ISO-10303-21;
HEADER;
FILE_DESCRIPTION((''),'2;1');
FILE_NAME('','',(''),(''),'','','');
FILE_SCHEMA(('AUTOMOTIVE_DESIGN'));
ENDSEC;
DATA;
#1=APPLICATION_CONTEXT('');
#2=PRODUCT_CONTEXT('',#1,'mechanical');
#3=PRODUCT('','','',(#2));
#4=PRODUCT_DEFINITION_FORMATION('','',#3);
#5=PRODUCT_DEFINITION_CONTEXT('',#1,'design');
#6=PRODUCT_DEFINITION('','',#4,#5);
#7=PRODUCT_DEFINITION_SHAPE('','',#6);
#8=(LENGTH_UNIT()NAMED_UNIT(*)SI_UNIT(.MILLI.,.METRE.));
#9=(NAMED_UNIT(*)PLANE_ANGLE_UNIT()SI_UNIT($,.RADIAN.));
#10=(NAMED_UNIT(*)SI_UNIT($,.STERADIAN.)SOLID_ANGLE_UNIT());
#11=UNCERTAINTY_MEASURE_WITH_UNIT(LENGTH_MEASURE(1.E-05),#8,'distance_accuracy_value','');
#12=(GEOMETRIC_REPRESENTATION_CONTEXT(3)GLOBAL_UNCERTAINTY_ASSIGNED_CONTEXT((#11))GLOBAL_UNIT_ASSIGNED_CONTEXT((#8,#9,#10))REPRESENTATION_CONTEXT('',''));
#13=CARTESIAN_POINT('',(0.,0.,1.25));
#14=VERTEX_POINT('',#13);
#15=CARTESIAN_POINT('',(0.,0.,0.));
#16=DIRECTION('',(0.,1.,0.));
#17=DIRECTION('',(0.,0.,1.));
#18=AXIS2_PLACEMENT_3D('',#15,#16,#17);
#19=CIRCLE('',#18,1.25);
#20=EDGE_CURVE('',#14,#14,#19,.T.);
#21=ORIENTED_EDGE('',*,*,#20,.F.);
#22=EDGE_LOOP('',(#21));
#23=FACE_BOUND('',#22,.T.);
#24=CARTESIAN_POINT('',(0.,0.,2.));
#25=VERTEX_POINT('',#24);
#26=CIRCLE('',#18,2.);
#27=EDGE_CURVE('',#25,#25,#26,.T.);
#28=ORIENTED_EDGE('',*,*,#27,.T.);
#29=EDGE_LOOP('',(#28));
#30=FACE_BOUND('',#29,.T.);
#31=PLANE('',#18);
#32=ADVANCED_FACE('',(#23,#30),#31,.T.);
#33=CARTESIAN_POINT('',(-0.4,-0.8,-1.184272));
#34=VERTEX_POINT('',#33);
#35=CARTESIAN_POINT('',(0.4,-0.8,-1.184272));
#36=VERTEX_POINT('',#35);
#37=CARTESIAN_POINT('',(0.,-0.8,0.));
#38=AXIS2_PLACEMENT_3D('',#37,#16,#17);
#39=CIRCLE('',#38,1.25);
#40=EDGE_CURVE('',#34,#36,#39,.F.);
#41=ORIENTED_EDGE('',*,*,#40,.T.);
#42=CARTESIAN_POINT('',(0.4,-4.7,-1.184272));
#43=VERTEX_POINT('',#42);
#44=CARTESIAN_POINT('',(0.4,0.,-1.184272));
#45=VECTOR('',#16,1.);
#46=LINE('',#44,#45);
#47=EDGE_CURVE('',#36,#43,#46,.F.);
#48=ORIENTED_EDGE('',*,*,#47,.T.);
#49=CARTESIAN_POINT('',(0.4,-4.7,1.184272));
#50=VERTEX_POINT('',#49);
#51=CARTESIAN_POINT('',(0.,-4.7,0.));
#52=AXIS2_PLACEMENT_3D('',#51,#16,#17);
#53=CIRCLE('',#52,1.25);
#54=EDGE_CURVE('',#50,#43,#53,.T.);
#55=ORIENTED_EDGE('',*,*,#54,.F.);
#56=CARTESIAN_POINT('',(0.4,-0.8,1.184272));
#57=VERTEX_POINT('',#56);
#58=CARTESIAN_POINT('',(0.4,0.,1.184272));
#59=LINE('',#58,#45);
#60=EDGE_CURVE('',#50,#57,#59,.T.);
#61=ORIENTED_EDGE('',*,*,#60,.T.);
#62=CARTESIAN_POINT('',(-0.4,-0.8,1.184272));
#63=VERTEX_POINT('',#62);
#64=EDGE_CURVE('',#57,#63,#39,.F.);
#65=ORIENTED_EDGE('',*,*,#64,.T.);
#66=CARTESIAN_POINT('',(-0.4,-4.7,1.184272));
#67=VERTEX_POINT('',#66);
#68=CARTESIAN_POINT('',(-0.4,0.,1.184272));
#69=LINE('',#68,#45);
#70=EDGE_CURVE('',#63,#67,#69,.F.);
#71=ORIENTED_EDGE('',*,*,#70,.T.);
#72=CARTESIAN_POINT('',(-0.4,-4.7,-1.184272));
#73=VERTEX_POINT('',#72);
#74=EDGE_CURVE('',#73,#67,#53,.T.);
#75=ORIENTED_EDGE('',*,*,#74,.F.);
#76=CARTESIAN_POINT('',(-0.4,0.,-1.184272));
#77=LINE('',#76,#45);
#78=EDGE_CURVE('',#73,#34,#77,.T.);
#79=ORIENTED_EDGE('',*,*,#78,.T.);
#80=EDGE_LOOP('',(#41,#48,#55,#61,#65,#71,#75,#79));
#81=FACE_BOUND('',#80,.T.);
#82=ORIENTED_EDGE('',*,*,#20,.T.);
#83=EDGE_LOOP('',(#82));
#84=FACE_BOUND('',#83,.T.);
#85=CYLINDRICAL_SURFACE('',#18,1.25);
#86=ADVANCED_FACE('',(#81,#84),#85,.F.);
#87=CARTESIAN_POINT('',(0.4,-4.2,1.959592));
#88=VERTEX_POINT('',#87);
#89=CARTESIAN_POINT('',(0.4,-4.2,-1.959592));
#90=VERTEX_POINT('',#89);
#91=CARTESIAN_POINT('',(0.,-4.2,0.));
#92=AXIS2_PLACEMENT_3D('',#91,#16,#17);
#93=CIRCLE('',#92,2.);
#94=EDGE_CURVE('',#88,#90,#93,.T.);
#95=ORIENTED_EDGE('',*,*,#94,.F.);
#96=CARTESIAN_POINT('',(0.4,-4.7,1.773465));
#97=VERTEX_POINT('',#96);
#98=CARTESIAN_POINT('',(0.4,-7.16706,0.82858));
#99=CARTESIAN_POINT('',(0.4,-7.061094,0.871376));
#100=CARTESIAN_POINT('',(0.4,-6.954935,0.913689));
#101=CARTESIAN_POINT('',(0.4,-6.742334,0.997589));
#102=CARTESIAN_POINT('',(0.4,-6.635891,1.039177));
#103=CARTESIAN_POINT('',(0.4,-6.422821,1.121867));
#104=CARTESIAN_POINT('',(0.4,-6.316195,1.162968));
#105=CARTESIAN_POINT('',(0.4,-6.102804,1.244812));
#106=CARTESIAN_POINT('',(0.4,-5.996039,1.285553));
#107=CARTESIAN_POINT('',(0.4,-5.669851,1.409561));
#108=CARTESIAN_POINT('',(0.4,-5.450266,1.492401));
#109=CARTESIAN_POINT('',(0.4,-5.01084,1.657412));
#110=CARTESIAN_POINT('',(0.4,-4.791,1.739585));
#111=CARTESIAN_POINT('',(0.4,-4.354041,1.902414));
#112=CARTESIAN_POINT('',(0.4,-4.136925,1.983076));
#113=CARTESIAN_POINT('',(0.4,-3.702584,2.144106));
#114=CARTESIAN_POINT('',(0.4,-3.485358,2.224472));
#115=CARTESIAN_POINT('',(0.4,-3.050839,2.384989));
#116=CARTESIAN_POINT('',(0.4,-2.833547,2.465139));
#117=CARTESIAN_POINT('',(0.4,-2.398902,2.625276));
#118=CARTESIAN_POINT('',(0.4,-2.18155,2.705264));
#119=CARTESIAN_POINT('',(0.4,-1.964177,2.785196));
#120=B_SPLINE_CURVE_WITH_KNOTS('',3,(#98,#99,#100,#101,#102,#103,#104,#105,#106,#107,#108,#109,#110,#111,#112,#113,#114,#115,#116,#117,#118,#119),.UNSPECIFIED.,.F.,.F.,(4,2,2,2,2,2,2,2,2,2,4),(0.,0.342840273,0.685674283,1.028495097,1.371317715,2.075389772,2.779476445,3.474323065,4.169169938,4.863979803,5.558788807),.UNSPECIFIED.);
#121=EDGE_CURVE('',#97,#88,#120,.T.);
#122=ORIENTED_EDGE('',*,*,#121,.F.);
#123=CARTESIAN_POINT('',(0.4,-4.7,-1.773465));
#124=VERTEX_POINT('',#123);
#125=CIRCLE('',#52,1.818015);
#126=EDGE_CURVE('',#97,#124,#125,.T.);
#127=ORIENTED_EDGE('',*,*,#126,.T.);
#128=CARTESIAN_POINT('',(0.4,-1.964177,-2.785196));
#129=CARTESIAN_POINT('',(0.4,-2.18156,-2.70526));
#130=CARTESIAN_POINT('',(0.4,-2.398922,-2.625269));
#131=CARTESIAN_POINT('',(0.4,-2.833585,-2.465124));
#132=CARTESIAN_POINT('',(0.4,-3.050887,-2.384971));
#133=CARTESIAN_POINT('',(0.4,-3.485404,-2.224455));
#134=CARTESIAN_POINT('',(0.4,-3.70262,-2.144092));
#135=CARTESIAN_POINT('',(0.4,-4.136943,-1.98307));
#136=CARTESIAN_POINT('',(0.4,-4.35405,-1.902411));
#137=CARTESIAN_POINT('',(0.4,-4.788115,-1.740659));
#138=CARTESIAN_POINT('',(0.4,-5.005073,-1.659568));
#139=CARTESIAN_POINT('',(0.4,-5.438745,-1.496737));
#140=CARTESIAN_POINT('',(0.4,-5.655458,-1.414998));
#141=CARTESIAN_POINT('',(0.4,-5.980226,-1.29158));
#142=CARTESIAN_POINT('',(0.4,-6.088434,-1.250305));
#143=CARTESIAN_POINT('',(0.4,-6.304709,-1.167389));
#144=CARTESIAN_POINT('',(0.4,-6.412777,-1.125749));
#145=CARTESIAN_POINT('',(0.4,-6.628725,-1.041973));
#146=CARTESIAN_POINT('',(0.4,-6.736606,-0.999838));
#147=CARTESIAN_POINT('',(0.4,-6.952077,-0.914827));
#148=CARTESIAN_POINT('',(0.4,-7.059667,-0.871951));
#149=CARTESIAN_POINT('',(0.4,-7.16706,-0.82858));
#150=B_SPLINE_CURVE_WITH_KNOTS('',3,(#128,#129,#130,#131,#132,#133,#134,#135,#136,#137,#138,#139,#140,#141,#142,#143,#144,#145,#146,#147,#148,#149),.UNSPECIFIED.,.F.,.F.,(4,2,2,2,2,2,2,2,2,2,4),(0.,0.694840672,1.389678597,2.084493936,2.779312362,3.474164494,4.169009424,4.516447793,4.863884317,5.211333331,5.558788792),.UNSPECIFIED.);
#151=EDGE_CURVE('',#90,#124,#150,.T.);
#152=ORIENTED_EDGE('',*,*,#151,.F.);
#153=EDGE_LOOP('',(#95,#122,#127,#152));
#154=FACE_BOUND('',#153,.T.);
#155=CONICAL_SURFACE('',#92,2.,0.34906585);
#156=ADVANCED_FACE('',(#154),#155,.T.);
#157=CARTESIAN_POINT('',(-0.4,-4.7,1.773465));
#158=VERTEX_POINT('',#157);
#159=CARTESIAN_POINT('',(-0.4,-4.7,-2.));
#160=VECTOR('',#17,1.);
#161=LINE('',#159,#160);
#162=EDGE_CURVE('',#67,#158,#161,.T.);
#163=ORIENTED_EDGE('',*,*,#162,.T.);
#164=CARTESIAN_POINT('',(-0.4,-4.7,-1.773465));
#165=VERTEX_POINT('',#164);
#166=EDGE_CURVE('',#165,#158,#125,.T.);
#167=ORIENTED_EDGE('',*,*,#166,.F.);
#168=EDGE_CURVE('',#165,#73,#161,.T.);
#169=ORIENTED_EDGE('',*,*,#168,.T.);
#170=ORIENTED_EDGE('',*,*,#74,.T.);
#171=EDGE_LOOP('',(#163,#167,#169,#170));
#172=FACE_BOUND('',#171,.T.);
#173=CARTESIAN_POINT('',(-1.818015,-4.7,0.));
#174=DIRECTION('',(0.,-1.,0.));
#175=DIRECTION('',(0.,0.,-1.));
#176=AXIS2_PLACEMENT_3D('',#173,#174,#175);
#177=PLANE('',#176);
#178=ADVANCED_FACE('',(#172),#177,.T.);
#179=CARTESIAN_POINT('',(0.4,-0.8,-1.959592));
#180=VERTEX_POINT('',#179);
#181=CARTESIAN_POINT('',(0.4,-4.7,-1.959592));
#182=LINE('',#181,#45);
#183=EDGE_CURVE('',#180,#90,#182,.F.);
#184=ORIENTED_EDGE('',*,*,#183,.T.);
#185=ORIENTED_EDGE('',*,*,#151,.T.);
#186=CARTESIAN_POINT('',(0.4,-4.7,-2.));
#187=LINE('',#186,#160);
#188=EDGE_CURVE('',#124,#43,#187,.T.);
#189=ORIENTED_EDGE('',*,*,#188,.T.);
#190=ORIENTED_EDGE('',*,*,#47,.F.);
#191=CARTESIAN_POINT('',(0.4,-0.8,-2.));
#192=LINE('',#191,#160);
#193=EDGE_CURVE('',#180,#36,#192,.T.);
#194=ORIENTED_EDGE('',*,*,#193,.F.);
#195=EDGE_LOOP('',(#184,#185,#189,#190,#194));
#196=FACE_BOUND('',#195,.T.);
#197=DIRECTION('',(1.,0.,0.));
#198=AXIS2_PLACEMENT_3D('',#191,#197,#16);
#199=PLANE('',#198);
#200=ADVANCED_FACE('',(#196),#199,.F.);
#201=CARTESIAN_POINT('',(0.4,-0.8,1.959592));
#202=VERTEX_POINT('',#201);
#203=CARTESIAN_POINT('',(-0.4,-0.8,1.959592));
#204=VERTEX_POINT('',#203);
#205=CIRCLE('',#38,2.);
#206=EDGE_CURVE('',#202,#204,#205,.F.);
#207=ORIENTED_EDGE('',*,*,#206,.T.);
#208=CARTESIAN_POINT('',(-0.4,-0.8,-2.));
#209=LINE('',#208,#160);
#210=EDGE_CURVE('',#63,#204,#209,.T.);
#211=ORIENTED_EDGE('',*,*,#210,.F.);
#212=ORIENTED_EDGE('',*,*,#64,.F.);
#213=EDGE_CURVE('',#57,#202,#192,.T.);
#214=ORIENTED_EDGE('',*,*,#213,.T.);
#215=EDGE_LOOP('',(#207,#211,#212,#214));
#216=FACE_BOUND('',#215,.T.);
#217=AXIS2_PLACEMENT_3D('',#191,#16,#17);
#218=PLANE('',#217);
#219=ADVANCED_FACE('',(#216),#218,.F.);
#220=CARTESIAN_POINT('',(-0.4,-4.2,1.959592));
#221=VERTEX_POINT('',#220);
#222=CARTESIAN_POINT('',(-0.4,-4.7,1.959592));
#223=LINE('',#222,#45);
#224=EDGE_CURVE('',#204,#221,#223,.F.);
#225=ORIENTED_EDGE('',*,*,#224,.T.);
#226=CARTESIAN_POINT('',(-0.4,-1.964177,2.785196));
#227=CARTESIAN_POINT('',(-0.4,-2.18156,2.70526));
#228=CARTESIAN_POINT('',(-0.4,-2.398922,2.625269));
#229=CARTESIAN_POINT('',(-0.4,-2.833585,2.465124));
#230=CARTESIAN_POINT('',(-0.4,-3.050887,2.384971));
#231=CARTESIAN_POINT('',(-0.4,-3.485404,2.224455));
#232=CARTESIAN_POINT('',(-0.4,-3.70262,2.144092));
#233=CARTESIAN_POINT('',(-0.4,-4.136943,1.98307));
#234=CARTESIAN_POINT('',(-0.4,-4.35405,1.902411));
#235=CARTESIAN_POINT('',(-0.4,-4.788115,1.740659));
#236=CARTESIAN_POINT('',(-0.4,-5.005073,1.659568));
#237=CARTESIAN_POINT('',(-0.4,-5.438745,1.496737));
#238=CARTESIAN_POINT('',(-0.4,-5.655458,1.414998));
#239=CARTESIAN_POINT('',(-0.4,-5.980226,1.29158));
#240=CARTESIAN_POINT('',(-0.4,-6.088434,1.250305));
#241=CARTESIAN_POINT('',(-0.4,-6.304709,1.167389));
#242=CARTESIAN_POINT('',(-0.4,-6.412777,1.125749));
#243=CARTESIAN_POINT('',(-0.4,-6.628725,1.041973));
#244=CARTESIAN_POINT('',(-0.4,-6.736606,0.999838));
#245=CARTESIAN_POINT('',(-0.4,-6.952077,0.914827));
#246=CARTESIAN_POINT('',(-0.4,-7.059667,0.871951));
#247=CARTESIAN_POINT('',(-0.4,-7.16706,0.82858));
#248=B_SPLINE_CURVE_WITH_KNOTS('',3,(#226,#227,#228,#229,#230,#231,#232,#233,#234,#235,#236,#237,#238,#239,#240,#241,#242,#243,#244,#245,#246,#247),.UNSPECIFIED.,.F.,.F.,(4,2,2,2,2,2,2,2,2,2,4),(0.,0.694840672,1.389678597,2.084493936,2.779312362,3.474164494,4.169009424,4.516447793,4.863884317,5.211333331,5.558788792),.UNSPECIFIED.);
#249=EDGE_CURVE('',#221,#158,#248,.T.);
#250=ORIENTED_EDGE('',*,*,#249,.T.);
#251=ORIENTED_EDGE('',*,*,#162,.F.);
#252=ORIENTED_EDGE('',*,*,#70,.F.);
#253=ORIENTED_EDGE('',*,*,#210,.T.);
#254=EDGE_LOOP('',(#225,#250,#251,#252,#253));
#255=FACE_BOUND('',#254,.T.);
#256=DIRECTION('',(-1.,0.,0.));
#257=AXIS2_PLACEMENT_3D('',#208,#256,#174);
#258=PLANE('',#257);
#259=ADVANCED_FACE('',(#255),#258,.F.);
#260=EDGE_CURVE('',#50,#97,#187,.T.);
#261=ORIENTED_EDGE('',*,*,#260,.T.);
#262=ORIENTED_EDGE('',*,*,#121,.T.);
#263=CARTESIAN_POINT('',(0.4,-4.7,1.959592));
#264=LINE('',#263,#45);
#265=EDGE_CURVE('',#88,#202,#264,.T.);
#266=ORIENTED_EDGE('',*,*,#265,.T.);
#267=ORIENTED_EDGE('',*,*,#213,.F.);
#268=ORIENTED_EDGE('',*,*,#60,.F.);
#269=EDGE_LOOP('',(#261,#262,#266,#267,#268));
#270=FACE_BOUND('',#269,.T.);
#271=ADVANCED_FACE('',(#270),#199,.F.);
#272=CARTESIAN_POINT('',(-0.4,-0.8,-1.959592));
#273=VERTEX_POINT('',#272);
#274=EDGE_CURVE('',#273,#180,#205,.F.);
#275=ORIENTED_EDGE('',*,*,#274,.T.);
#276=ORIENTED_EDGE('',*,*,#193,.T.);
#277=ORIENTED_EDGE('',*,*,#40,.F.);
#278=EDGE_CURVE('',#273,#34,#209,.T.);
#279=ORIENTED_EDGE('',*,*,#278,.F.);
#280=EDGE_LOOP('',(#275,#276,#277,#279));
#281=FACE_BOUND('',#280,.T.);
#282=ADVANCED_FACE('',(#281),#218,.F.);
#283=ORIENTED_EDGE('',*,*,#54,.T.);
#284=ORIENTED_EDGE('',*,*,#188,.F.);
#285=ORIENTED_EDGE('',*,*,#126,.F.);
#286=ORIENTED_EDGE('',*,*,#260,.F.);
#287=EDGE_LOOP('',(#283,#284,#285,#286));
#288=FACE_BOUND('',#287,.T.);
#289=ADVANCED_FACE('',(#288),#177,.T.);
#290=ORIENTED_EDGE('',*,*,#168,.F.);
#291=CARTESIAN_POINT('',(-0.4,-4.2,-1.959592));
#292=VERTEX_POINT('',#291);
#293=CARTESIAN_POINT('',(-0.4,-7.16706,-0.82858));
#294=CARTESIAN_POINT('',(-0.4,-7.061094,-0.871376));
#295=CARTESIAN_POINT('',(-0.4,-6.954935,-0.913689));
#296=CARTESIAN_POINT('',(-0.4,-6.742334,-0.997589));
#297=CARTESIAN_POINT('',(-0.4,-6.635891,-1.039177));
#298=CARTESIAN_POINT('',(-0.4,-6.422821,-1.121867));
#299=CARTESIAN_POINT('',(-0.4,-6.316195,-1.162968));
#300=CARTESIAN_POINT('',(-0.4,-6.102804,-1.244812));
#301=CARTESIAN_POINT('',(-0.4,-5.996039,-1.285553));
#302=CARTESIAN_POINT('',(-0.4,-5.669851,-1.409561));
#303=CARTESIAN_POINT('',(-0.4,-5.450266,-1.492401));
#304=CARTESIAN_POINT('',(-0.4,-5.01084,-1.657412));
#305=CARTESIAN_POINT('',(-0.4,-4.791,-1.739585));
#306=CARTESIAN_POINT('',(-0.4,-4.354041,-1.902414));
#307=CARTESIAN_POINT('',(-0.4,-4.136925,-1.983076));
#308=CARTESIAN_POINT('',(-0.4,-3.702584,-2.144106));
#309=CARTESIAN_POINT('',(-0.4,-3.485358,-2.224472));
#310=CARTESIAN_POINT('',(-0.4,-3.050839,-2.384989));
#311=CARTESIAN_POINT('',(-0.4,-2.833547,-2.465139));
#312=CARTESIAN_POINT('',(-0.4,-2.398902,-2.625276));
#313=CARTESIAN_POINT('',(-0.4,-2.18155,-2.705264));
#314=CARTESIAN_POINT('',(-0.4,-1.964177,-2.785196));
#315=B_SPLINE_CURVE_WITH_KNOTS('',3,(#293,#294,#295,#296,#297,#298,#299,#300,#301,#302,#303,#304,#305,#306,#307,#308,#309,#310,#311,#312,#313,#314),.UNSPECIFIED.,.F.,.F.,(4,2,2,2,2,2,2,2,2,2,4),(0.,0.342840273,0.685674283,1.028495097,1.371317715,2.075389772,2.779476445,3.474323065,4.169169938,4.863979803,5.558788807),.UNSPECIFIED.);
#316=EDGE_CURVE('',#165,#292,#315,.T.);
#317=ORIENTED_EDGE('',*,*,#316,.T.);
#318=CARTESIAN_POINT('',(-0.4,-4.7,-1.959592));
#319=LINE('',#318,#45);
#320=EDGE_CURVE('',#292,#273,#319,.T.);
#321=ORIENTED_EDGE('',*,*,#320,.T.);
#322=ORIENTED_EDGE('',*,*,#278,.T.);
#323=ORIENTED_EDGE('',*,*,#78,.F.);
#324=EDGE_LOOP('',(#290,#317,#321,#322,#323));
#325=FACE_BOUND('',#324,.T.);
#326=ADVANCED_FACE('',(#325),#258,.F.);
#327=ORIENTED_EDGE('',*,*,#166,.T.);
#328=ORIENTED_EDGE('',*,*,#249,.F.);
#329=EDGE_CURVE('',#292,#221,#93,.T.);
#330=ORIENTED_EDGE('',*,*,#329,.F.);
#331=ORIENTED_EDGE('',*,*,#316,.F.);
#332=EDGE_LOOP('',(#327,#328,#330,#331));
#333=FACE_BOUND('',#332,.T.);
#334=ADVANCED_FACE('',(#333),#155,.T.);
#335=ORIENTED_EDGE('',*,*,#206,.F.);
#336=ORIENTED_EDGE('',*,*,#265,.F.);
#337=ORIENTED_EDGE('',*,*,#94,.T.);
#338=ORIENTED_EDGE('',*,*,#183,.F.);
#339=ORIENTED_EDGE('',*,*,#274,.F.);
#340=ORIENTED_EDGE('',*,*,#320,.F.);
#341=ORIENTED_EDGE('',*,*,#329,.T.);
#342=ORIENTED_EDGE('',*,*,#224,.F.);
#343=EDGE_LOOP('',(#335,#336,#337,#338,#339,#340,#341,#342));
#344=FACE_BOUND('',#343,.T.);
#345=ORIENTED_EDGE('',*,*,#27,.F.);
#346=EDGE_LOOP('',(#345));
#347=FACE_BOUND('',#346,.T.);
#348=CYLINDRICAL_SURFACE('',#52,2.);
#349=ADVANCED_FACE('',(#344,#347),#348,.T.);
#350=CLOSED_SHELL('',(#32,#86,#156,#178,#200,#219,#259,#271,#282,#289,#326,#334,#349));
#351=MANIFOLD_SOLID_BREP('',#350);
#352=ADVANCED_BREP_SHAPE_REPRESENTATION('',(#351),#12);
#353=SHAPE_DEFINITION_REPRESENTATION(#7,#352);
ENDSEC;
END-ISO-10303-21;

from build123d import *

# Parameters (mm, degrees)
M3_TAPPED_HOLE1_D       = 2.5
CUT_EXTRUDE1_DEPTH      = 6.485435261
CUT_EXTRUDE1_DEPTH_BACK = 6.485435261
SKETCH2_W               = 0.8
SKETCH2_H               = 3.9


with BuildPart() as part:
    # Sketch1 → Revolve1 (revolve)
    with BuildSketch(Plane.XY, mode=Mode.PRIVATE) as revolve1_sk:
        Polygon((0, -4.7), (0, 0), (-2, 0), (-2, -4.2), (-1.818014883, -4.7), align=None)
    revolve(revolve1_sk.sketch.rotate(Axis((0, -4.7, 0), (0, -1, 0)), 270), axis=Axis((0, -4.7, 0), (0, -1, 0)))

    # M3 Tapped Hole1 (through all)
    with Locations(Plane(origin=(0, 0, 0), x_dir=(1, 0, 0), z_dir=(0, 1, 0))):
        with Locations((0, 0)):
            Hole(M3_TAPPED_HOLE1_D / 2)

    # Sketch2 → Cut-Extrude1 (cut, two sides: drawn at the far end of the back side and taken through both)
    with BuildSketch(Plane.XY.offset(-CUT_EXTRUDE1_DEPTH_BACK)):
        with Locations((0, -2.75)):
            Rectangle(SKETCH2_W, SKETCH2_H)
    extrude(amount=CUT_EXTRUDE1_DEPTH + CUT_EXTRUDE1_DEPTH_BACK, mode=Mode.SUBTRACT)


solid = part.part
